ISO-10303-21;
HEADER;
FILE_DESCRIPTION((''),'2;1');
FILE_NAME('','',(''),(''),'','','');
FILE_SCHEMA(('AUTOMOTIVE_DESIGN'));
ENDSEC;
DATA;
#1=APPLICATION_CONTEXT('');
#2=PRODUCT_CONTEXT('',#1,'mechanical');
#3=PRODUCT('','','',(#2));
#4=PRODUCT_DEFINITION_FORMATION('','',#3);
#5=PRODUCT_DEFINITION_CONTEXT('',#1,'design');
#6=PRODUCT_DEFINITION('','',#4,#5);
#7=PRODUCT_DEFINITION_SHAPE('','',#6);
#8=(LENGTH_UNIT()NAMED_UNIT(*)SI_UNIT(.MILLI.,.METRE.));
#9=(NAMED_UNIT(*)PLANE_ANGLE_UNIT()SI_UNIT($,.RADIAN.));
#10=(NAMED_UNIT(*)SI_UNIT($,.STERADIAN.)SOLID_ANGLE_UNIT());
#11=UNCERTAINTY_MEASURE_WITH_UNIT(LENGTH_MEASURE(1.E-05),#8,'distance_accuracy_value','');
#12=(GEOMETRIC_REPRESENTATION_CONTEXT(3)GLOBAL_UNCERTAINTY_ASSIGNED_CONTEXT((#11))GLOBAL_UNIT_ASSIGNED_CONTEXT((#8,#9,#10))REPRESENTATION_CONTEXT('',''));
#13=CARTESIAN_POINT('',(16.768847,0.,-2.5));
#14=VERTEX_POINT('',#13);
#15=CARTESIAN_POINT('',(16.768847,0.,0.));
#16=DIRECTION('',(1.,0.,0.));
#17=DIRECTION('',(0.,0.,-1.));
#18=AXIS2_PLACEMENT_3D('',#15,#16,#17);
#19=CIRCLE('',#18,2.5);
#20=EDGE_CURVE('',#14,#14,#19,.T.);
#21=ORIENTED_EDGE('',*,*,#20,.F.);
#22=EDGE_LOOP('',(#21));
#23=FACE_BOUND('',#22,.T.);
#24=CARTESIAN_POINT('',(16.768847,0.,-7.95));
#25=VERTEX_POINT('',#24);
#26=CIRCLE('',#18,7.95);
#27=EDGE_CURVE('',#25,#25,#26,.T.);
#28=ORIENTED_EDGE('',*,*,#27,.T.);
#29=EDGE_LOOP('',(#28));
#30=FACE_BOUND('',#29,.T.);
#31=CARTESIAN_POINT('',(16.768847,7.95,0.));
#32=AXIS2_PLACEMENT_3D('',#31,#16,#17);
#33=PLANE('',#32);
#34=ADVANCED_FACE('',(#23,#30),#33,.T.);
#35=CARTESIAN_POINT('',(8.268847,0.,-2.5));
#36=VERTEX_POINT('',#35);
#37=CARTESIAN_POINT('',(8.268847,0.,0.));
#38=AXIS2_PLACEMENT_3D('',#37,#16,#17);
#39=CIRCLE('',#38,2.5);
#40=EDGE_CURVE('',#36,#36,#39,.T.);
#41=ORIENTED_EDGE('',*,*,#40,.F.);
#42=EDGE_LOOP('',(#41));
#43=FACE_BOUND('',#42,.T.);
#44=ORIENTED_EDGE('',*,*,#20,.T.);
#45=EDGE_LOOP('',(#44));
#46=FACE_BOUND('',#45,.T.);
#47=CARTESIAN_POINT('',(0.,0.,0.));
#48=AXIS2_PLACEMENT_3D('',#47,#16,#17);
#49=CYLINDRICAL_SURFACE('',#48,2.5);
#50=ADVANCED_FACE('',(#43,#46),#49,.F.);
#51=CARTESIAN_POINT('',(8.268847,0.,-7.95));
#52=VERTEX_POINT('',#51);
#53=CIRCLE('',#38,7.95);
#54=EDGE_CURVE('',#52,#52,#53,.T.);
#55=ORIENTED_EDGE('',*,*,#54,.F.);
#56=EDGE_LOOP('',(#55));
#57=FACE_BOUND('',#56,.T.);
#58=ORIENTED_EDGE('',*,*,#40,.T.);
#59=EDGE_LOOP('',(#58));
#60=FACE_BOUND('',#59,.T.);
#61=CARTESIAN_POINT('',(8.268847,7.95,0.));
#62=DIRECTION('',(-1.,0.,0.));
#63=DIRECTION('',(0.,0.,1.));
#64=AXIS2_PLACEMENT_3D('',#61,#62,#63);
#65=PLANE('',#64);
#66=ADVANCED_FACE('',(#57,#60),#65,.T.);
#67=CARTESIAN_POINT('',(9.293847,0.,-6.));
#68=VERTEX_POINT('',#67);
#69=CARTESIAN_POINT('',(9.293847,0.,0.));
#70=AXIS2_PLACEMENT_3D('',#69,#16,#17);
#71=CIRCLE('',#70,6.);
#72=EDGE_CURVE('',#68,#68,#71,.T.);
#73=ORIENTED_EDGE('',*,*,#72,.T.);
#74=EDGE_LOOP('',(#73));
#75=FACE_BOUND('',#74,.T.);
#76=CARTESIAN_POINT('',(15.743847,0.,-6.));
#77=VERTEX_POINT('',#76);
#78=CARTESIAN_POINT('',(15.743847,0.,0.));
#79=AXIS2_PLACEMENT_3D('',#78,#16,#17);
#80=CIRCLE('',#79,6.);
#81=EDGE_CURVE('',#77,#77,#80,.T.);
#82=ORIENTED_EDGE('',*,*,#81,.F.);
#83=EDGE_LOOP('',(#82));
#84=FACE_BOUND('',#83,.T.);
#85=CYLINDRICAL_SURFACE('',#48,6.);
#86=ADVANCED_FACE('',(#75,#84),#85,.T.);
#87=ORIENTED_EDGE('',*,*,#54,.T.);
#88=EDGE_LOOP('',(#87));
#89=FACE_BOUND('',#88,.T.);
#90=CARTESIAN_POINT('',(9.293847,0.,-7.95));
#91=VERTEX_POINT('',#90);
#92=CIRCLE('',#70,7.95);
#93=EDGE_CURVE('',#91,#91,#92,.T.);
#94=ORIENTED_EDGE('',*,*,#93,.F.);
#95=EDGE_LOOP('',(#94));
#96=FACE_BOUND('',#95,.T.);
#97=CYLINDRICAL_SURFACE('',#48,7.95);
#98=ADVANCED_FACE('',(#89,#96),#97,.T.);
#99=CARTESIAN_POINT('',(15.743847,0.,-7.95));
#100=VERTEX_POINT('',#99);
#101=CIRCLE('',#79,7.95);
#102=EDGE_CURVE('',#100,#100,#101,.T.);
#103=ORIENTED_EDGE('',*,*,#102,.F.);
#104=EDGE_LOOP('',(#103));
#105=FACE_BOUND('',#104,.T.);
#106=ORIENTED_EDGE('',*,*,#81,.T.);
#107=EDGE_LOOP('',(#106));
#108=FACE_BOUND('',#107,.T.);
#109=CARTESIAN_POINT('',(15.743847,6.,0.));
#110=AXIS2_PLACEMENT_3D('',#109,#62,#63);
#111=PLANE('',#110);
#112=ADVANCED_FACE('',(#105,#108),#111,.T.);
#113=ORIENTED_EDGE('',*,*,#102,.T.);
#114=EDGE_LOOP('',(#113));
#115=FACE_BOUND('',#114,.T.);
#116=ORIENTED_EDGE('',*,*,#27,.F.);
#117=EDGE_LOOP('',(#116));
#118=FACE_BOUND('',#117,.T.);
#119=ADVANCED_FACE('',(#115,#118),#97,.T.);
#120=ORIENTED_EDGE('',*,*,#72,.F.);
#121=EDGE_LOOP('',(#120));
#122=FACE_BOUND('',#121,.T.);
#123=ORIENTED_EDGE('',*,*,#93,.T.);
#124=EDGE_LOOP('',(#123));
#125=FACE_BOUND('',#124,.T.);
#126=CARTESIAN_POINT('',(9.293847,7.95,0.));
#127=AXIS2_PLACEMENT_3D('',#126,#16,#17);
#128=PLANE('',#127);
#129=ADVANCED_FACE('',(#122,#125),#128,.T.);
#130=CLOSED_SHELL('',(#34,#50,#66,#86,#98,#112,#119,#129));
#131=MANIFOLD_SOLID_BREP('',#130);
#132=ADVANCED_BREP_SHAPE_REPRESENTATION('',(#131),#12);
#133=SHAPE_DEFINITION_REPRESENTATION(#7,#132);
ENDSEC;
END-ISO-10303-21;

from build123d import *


with BuildPart() as part:
    # Sketch1 → Revolve1 (revolve)
    with BuildSketch(Plane.XY):
        Polygon((8.268847172, 7.95), (8.268847172, 2.5), (16.768847172, 2.5), (16.768847172, 7.95), (15.743847172, 7.95), (15.743847172, 6), (9.293847172, 6), (9.293847172, 7.95), align=None)
    revolve(axis=Axis((0, 0, 0), (-1, 0, 0)))


solid = part.part
